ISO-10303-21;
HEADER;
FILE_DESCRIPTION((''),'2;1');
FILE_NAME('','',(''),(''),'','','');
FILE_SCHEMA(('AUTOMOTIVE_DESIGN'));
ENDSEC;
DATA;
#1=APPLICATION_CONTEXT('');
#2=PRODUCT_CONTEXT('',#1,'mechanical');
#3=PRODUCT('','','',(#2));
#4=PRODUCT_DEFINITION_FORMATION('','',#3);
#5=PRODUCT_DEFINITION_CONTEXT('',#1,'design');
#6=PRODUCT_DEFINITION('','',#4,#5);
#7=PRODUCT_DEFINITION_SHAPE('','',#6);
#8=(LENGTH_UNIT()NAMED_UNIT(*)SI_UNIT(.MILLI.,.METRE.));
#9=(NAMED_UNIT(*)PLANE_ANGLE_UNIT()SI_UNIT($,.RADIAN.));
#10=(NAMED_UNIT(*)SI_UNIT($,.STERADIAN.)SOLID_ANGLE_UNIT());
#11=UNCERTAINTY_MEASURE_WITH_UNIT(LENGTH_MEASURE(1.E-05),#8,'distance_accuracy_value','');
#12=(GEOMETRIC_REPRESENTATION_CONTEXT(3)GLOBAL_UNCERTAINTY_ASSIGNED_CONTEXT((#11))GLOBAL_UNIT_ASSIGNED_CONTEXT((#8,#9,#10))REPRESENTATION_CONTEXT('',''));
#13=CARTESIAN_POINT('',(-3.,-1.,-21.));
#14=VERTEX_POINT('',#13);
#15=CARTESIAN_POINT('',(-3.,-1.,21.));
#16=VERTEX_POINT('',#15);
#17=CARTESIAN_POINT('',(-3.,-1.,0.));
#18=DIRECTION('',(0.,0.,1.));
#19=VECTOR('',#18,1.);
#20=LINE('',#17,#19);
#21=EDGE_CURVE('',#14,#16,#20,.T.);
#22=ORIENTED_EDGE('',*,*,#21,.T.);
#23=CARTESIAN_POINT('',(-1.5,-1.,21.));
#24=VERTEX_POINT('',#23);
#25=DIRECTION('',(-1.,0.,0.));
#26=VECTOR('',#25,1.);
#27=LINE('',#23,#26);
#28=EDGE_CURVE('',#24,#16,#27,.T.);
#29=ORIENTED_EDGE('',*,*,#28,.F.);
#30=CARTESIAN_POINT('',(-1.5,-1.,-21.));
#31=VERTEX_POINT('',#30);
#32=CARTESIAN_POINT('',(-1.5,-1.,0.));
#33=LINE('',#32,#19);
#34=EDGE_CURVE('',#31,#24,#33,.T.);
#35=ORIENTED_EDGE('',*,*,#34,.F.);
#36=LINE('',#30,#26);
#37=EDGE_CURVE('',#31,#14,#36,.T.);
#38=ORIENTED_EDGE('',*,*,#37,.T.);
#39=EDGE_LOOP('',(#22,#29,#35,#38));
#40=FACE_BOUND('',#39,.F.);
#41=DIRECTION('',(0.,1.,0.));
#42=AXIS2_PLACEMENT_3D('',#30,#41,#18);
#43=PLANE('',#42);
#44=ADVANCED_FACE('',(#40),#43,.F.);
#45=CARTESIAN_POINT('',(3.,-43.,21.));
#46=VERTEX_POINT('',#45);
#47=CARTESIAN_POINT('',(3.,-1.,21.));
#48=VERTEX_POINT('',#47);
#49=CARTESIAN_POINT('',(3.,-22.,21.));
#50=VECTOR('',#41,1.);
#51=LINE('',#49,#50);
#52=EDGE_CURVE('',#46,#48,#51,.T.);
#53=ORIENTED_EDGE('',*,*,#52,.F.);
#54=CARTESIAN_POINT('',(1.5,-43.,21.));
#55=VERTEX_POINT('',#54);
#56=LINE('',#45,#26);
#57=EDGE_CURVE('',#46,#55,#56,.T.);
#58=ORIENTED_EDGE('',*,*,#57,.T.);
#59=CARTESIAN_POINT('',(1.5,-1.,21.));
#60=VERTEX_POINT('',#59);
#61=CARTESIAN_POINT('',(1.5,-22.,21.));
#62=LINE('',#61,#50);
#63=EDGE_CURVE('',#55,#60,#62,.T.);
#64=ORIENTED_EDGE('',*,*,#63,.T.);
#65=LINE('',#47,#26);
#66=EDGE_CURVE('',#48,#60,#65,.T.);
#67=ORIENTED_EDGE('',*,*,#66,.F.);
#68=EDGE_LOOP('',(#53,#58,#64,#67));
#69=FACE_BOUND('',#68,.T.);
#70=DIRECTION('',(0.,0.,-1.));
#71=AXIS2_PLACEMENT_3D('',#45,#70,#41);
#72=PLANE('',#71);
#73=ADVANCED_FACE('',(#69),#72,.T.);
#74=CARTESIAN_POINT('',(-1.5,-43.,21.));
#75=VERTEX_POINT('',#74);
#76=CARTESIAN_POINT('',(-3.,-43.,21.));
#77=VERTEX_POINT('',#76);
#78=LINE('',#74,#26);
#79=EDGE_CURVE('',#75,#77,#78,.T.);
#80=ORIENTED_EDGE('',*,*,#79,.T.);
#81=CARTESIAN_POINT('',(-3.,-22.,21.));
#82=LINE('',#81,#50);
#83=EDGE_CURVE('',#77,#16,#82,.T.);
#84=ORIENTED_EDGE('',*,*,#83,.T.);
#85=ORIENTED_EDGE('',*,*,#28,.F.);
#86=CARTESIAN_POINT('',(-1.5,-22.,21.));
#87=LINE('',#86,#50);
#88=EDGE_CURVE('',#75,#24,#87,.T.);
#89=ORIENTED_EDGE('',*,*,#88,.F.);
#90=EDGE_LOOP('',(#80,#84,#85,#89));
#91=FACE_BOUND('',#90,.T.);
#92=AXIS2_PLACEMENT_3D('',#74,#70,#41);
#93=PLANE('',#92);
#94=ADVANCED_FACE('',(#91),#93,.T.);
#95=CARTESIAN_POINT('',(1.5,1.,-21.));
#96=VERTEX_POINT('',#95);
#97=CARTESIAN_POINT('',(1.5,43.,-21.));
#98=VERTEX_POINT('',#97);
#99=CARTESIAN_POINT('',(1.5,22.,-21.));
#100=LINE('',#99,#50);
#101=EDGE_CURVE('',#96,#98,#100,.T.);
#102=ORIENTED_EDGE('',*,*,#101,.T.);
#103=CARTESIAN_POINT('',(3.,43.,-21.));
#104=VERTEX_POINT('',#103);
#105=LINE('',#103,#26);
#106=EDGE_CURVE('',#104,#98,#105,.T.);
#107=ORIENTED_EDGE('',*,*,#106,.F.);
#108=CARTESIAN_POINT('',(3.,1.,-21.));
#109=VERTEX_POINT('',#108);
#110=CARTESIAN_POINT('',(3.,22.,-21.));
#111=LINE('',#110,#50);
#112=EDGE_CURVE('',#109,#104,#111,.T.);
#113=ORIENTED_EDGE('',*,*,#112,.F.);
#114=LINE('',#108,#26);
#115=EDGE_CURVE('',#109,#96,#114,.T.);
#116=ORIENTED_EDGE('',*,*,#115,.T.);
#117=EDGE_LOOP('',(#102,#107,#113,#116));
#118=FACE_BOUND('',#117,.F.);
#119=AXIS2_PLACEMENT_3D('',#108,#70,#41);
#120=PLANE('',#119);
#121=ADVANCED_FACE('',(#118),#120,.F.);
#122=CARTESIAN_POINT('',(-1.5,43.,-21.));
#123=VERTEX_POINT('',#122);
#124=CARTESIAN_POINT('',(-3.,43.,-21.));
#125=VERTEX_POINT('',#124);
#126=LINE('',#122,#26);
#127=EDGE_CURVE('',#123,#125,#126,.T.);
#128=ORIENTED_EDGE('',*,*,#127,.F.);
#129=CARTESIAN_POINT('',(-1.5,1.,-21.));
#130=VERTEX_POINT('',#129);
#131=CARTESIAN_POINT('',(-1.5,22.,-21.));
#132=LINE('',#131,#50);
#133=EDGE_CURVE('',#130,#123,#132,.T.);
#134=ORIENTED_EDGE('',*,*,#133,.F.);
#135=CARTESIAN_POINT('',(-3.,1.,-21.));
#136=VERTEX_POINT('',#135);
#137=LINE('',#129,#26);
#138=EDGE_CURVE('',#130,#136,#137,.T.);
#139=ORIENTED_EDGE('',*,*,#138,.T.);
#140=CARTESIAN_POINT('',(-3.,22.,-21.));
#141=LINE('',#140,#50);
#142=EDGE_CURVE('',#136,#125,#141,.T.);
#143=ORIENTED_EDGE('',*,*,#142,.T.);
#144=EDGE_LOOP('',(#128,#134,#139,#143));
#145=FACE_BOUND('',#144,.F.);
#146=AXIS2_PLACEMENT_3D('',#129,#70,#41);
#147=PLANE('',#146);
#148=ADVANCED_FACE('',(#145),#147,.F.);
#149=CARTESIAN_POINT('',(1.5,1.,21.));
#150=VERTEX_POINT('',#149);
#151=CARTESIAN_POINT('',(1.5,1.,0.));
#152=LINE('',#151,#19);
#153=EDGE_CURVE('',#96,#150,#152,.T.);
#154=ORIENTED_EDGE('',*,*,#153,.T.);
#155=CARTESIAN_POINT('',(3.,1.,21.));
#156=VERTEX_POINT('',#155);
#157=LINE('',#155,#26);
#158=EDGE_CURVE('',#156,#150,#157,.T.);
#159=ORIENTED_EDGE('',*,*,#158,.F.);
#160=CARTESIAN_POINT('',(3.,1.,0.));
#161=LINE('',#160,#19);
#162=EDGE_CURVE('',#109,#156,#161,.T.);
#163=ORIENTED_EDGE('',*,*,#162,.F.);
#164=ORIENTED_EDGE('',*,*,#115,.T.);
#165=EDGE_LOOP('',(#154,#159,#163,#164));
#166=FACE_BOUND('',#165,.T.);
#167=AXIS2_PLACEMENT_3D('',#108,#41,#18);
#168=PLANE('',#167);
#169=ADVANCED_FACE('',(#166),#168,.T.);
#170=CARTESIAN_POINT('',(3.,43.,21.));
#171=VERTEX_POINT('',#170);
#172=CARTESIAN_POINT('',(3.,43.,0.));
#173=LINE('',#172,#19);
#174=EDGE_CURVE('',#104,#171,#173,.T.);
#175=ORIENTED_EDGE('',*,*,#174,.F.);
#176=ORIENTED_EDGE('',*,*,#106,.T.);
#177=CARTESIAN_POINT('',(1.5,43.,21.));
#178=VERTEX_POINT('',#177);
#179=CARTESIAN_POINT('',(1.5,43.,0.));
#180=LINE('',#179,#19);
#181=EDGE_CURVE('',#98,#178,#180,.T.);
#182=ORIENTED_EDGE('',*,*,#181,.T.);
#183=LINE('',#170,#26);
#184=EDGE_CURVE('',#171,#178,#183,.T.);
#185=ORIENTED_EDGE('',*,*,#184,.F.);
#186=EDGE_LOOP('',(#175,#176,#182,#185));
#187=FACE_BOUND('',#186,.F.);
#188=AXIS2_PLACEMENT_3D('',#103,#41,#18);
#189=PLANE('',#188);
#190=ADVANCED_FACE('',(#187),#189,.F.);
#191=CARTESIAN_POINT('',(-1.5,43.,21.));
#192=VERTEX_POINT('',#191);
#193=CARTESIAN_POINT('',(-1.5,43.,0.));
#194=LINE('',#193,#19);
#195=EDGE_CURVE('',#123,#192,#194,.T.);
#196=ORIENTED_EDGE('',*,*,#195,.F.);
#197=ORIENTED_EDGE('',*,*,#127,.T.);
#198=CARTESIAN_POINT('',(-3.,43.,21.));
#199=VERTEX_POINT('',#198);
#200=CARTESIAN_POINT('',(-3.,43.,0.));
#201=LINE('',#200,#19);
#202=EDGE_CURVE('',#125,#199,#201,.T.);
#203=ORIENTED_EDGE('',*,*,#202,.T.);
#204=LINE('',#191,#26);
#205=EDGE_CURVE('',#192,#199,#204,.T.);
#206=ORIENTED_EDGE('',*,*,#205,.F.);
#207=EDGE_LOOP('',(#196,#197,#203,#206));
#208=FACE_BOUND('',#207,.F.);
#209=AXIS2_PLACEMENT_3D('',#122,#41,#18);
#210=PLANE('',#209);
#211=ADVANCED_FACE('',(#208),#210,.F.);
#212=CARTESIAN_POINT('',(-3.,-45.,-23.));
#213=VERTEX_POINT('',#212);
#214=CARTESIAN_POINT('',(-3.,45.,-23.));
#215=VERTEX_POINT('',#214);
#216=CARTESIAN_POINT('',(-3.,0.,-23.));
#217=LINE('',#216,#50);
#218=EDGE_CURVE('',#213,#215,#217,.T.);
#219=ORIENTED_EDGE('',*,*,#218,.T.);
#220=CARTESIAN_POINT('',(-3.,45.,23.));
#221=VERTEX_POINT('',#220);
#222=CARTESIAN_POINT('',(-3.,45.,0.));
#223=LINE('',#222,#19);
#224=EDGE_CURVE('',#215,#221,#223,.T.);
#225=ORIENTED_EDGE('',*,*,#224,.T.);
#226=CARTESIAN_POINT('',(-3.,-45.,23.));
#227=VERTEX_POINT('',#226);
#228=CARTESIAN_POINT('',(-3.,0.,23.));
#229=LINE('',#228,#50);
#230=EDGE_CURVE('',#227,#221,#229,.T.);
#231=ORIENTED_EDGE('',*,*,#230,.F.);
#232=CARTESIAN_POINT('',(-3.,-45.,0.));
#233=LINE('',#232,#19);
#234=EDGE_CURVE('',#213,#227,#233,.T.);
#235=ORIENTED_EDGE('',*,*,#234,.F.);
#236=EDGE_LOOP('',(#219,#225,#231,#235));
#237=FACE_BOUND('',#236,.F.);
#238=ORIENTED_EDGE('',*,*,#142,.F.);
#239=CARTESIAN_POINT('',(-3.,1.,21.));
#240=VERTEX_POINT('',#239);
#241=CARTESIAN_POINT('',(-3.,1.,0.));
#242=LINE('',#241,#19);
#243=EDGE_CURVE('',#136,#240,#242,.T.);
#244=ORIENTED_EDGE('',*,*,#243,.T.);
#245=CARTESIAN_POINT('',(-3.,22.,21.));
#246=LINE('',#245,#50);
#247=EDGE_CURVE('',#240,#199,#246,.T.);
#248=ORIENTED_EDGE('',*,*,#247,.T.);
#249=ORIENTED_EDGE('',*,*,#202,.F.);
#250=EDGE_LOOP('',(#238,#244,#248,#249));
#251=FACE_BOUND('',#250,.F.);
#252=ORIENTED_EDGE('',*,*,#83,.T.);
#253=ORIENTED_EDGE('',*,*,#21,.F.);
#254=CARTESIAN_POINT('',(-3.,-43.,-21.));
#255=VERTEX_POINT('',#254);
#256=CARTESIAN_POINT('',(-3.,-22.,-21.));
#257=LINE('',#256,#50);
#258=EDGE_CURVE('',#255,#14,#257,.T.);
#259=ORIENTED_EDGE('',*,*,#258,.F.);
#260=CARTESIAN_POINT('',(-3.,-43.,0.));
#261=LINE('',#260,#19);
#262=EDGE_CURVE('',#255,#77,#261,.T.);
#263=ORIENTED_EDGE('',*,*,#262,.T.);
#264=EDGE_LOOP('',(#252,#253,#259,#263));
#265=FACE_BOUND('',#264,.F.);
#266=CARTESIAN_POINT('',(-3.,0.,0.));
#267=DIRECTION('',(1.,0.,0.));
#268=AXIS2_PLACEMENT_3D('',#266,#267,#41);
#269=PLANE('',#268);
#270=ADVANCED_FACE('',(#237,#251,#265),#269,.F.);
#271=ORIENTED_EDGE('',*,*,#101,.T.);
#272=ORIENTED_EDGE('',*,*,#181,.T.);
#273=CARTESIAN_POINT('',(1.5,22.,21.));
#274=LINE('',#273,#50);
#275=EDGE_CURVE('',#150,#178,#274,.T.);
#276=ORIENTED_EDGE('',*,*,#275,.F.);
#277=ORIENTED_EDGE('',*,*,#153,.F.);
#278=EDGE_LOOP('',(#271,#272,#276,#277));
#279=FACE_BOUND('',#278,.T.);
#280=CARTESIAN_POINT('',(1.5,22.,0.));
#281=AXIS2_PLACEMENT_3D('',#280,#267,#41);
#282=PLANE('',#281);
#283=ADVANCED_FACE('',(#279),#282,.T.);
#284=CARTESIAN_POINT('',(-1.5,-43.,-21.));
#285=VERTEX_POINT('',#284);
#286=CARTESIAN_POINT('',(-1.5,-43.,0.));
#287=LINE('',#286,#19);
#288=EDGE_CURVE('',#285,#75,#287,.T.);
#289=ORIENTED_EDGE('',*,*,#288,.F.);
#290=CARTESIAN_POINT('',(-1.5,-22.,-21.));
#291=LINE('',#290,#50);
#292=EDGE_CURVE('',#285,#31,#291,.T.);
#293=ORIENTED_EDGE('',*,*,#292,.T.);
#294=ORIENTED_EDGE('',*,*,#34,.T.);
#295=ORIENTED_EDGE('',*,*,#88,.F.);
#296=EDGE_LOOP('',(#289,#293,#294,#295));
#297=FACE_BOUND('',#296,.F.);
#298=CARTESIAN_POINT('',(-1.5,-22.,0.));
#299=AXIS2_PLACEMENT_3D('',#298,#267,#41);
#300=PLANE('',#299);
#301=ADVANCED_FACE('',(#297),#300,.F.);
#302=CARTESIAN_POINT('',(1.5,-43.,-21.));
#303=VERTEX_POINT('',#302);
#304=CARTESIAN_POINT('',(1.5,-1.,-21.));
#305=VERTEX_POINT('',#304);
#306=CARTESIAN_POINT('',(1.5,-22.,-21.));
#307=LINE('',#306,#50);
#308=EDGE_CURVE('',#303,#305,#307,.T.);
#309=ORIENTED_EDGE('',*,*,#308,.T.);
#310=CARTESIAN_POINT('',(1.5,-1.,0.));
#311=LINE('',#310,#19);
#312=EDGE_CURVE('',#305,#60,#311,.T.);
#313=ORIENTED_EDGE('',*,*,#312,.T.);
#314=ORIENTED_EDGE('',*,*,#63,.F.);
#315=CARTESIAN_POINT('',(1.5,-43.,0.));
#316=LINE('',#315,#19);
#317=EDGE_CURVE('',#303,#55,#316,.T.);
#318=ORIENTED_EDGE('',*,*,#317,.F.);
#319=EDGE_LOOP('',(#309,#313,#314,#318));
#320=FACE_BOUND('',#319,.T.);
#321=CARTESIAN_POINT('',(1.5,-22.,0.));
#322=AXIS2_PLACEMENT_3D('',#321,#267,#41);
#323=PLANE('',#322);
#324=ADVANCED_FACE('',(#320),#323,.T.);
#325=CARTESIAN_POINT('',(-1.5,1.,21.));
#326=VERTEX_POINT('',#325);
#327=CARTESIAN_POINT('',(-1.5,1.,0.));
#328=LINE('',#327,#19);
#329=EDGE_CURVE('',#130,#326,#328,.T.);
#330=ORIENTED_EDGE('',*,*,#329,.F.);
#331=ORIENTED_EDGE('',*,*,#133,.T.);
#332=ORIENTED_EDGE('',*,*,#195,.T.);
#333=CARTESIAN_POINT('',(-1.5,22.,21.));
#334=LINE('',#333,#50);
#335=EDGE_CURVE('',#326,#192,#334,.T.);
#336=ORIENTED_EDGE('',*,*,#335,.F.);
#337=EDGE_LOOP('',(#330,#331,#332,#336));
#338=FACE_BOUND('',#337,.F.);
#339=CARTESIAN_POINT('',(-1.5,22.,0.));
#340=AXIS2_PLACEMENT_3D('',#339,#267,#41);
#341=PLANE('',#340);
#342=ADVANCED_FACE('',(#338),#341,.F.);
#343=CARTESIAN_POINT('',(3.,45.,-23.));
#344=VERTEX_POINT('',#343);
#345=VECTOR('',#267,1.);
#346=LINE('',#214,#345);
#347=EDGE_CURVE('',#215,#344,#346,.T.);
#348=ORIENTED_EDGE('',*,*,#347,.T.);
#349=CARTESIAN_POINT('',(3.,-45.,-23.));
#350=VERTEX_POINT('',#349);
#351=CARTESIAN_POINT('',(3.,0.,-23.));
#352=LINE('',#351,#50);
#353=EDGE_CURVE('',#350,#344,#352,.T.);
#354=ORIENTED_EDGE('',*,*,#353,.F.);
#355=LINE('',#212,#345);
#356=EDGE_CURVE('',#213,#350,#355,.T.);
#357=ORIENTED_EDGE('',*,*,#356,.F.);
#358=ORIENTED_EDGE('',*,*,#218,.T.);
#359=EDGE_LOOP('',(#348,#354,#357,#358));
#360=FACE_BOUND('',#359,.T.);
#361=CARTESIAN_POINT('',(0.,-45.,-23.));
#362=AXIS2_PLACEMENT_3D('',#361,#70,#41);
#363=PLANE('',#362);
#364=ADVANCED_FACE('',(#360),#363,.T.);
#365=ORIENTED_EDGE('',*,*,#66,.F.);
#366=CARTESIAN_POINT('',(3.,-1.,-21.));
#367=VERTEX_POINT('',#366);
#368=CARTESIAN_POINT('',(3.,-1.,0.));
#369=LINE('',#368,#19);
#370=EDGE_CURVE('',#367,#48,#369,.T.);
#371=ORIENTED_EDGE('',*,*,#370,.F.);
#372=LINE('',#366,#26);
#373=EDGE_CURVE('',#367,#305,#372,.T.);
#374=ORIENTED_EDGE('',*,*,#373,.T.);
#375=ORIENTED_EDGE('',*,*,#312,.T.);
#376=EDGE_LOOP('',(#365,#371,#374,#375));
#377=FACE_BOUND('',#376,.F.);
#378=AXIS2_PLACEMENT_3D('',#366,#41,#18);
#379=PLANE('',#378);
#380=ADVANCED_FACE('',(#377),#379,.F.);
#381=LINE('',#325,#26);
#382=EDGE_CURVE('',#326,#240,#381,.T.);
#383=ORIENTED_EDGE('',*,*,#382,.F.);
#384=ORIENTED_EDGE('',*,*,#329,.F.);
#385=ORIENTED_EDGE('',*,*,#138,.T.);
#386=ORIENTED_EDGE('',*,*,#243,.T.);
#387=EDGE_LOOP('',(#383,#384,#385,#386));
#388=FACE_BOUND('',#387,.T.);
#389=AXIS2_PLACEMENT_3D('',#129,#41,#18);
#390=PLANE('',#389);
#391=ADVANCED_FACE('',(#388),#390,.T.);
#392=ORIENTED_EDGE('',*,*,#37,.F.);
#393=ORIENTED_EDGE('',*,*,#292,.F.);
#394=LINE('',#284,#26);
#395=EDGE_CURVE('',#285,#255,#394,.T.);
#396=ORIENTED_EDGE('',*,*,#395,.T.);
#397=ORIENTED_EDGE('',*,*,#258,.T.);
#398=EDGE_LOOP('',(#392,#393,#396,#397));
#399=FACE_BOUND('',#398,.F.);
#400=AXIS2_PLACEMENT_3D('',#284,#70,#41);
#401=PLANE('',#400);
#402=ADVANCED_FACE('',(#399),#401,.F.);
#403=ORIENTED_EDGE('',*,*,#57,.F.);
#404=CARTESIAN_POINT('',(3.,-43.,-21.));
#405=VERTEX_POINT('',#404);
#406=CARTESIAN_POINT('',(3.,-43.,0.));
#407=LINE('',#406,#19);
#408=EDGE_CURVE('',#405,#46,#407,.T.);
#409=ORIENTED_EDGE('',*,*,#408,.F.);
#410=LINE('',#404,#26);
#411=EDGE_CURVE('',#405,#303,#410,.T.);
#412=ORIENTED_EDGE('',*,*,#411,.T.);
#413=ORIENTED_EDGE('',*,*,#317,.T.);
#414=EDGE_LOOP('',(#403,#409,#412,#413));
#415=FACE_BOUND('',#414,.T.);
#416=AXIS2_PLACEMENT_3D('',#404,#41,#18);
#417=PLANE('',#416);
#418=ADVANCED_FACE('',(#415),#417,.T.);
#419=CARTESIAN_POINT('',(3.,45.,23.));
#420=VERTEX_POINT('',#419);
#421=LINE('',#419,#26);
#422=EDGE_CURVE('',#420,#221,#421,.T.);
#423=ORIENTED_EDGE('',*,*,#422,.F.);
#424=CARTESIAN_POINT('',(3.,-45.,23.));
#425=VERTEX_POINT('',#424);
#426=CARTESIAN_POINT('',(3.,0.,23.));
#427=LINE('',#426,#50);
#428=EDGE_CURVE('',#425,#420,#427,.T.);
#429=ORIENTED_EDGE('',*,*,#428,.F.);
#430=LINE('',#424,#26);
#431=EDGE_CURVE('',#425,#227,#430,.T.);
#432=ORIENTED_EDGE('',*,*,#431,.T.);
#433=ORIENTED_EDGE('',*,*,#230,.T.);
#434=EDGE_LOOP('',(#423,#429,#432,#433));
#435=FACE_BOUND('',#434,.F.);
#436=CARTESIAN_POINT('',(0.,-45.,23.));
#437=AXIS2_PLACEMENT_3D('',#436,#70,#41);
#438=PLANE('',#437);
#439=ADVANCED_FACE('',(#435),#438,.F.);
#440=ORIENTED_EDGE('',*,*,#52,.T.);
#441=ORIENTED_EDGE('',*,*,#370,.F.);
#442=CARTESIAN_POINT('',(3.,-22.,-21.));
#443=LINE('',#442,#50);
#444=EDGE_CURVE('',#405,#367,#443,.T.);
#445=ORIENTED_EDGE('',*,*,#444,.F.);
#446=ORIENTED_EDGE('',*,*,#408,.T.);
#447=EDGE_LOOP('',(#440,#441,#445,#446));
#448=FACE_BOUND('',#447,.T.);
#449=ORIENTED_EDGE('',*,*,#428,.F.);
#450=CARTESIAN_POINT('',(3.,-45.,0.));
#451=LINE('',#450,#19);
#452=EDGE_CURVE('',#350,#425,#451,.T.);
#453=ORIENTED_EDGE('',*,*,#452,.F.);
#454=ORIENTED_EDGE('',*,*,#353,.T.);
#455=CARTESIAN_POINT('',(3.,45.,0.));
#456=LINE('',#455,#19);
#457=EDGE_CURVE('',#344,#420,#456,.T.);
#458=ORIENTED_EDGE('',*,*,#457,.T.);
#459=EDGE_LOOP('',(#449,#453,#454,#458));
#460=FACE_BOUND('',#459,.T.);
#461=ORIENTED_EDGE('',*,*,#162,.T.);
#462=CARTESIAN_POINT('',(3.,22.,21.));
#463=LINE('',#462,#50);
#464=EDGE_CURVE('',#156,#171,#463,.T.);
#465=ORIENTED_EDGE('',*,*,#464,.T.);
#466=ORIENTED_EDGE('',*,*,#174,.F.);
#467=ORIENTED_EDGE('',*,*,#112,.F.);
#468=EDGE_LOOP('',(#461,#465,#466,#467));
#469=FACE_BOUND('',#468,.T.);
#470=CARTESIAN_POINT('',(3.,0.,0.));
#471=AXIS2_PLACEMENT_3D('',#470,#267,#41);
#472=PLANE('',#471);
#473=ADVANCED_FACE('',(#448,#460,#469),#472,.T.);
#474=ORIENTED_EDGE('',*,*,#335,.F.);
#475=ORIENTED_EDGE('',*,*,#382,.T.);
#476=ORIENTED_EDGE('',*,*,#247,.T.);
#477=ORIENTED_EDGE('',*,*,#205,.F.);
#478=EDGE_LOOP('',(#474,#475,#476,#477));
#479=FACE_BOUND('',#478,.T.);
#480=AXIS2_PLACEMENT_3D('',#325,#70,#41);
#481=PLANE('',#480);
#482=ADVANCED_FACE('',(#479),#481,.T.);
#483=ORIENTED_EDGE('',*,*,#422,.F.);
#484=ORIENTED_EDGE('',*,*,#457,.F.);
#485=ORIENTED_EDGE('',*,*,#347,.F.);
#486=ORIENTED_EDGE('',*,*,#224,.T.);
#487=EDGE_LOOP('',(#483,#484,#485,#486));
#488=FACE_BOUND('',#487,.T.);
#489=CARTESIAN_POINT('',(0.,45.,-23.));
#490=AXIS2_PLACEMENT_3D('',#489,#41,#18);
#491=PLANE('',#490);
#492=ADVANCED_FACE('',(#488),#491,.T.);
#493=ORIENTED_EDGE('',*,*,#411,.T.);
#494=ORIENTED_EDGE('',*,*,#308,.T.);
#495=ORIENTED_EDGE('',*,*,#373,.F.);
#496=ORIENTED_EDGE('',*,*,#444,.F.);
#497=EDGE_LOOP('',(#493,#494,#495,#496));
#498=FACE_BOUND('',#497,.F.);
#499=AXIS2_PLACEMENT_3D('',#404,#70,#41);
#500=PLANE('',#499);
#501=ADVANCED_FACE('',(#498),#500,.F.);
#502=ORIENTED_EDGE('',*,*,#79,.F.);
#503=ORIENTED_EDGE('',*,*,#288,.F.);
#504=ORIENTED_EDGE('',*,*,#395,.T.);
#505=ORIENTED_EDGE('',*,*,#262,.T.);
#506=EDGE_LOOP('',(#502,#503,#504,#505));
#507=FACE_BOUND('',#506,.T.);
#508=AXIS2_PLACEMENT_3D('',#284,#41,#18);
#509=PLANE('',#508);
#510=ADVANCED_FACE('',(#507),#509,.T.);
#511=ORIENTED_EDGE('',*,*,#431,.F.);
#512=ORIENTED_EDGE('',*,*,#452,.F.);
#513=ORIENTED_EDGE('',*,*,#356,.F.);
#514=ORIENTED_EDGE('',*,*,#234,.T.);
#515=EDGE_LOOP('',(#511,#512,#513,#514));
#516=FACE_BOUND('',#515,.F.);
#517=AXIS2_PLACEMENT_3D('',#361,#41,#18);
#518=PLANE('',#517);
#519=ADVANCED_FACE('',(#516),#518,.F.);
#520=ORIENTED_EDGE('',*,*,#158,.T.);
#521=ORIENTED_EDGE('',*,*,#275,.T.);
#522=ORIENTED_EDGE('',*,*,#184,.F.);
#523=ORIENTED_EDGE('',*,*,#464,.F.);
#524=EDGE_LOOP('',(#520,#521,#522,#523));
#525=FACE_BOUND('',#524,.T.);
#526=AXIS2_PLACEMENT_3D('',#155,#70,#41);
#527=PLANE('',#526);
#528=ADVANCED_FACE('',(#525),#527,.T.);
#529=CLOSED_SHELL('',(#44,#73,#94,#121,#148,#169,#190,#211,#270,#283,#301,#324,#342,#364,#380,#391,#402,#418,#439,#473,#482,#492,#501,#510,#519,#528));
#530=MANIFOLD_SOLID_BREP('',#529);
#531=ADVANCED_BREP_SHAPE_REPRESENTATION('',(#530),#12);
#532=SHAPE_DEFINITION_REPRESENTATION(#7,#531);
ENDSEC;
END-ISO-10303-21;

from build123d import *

# Parameters (mm, degrees)
F0_W     = 90
F0_H     = 46
F1_DEPTH = 3
F3_START = -4.5
F2_W     = 42
F2_H     = 42
F3_DEPTH = 1.5
F4_DEPTH = 1.5


with BuildPart() as f1:
    # F0 (on Right) → F1 (new body, symmetric)
    with BuildSketch(Plane.YZ):
        Rectangle(F0_W, F0_H)
    extrude(amount=F1_DEPTH, both=True)

    # F2 (on face) → F3 (cut)
    with BuildSketch(Plane.YZ.offset(3).offset(F3_START)):
        with Locations((-22, 0)):
            Rectangle(F2_W, F2_H)
        with Locations((22, 0)):
            Rectangle(F2_W, F2_H)
    extrude(amount=-F3_DEPTH, mode=Mode.SUBTRACT)

    # F2 (on face) → F4 (cut)
    with BuildSketch(Plane.YZ.offset(3)):
        with Locations((-22, 0)):
            Rectangle(F2_W, F2_H)
        with Locations((22, 0)):
            Rectangle(F2_W, F2_H)
    extrude(amount=-F4_DEPTH, mode=Mode.SUBTRACT)


solid = f1.part
